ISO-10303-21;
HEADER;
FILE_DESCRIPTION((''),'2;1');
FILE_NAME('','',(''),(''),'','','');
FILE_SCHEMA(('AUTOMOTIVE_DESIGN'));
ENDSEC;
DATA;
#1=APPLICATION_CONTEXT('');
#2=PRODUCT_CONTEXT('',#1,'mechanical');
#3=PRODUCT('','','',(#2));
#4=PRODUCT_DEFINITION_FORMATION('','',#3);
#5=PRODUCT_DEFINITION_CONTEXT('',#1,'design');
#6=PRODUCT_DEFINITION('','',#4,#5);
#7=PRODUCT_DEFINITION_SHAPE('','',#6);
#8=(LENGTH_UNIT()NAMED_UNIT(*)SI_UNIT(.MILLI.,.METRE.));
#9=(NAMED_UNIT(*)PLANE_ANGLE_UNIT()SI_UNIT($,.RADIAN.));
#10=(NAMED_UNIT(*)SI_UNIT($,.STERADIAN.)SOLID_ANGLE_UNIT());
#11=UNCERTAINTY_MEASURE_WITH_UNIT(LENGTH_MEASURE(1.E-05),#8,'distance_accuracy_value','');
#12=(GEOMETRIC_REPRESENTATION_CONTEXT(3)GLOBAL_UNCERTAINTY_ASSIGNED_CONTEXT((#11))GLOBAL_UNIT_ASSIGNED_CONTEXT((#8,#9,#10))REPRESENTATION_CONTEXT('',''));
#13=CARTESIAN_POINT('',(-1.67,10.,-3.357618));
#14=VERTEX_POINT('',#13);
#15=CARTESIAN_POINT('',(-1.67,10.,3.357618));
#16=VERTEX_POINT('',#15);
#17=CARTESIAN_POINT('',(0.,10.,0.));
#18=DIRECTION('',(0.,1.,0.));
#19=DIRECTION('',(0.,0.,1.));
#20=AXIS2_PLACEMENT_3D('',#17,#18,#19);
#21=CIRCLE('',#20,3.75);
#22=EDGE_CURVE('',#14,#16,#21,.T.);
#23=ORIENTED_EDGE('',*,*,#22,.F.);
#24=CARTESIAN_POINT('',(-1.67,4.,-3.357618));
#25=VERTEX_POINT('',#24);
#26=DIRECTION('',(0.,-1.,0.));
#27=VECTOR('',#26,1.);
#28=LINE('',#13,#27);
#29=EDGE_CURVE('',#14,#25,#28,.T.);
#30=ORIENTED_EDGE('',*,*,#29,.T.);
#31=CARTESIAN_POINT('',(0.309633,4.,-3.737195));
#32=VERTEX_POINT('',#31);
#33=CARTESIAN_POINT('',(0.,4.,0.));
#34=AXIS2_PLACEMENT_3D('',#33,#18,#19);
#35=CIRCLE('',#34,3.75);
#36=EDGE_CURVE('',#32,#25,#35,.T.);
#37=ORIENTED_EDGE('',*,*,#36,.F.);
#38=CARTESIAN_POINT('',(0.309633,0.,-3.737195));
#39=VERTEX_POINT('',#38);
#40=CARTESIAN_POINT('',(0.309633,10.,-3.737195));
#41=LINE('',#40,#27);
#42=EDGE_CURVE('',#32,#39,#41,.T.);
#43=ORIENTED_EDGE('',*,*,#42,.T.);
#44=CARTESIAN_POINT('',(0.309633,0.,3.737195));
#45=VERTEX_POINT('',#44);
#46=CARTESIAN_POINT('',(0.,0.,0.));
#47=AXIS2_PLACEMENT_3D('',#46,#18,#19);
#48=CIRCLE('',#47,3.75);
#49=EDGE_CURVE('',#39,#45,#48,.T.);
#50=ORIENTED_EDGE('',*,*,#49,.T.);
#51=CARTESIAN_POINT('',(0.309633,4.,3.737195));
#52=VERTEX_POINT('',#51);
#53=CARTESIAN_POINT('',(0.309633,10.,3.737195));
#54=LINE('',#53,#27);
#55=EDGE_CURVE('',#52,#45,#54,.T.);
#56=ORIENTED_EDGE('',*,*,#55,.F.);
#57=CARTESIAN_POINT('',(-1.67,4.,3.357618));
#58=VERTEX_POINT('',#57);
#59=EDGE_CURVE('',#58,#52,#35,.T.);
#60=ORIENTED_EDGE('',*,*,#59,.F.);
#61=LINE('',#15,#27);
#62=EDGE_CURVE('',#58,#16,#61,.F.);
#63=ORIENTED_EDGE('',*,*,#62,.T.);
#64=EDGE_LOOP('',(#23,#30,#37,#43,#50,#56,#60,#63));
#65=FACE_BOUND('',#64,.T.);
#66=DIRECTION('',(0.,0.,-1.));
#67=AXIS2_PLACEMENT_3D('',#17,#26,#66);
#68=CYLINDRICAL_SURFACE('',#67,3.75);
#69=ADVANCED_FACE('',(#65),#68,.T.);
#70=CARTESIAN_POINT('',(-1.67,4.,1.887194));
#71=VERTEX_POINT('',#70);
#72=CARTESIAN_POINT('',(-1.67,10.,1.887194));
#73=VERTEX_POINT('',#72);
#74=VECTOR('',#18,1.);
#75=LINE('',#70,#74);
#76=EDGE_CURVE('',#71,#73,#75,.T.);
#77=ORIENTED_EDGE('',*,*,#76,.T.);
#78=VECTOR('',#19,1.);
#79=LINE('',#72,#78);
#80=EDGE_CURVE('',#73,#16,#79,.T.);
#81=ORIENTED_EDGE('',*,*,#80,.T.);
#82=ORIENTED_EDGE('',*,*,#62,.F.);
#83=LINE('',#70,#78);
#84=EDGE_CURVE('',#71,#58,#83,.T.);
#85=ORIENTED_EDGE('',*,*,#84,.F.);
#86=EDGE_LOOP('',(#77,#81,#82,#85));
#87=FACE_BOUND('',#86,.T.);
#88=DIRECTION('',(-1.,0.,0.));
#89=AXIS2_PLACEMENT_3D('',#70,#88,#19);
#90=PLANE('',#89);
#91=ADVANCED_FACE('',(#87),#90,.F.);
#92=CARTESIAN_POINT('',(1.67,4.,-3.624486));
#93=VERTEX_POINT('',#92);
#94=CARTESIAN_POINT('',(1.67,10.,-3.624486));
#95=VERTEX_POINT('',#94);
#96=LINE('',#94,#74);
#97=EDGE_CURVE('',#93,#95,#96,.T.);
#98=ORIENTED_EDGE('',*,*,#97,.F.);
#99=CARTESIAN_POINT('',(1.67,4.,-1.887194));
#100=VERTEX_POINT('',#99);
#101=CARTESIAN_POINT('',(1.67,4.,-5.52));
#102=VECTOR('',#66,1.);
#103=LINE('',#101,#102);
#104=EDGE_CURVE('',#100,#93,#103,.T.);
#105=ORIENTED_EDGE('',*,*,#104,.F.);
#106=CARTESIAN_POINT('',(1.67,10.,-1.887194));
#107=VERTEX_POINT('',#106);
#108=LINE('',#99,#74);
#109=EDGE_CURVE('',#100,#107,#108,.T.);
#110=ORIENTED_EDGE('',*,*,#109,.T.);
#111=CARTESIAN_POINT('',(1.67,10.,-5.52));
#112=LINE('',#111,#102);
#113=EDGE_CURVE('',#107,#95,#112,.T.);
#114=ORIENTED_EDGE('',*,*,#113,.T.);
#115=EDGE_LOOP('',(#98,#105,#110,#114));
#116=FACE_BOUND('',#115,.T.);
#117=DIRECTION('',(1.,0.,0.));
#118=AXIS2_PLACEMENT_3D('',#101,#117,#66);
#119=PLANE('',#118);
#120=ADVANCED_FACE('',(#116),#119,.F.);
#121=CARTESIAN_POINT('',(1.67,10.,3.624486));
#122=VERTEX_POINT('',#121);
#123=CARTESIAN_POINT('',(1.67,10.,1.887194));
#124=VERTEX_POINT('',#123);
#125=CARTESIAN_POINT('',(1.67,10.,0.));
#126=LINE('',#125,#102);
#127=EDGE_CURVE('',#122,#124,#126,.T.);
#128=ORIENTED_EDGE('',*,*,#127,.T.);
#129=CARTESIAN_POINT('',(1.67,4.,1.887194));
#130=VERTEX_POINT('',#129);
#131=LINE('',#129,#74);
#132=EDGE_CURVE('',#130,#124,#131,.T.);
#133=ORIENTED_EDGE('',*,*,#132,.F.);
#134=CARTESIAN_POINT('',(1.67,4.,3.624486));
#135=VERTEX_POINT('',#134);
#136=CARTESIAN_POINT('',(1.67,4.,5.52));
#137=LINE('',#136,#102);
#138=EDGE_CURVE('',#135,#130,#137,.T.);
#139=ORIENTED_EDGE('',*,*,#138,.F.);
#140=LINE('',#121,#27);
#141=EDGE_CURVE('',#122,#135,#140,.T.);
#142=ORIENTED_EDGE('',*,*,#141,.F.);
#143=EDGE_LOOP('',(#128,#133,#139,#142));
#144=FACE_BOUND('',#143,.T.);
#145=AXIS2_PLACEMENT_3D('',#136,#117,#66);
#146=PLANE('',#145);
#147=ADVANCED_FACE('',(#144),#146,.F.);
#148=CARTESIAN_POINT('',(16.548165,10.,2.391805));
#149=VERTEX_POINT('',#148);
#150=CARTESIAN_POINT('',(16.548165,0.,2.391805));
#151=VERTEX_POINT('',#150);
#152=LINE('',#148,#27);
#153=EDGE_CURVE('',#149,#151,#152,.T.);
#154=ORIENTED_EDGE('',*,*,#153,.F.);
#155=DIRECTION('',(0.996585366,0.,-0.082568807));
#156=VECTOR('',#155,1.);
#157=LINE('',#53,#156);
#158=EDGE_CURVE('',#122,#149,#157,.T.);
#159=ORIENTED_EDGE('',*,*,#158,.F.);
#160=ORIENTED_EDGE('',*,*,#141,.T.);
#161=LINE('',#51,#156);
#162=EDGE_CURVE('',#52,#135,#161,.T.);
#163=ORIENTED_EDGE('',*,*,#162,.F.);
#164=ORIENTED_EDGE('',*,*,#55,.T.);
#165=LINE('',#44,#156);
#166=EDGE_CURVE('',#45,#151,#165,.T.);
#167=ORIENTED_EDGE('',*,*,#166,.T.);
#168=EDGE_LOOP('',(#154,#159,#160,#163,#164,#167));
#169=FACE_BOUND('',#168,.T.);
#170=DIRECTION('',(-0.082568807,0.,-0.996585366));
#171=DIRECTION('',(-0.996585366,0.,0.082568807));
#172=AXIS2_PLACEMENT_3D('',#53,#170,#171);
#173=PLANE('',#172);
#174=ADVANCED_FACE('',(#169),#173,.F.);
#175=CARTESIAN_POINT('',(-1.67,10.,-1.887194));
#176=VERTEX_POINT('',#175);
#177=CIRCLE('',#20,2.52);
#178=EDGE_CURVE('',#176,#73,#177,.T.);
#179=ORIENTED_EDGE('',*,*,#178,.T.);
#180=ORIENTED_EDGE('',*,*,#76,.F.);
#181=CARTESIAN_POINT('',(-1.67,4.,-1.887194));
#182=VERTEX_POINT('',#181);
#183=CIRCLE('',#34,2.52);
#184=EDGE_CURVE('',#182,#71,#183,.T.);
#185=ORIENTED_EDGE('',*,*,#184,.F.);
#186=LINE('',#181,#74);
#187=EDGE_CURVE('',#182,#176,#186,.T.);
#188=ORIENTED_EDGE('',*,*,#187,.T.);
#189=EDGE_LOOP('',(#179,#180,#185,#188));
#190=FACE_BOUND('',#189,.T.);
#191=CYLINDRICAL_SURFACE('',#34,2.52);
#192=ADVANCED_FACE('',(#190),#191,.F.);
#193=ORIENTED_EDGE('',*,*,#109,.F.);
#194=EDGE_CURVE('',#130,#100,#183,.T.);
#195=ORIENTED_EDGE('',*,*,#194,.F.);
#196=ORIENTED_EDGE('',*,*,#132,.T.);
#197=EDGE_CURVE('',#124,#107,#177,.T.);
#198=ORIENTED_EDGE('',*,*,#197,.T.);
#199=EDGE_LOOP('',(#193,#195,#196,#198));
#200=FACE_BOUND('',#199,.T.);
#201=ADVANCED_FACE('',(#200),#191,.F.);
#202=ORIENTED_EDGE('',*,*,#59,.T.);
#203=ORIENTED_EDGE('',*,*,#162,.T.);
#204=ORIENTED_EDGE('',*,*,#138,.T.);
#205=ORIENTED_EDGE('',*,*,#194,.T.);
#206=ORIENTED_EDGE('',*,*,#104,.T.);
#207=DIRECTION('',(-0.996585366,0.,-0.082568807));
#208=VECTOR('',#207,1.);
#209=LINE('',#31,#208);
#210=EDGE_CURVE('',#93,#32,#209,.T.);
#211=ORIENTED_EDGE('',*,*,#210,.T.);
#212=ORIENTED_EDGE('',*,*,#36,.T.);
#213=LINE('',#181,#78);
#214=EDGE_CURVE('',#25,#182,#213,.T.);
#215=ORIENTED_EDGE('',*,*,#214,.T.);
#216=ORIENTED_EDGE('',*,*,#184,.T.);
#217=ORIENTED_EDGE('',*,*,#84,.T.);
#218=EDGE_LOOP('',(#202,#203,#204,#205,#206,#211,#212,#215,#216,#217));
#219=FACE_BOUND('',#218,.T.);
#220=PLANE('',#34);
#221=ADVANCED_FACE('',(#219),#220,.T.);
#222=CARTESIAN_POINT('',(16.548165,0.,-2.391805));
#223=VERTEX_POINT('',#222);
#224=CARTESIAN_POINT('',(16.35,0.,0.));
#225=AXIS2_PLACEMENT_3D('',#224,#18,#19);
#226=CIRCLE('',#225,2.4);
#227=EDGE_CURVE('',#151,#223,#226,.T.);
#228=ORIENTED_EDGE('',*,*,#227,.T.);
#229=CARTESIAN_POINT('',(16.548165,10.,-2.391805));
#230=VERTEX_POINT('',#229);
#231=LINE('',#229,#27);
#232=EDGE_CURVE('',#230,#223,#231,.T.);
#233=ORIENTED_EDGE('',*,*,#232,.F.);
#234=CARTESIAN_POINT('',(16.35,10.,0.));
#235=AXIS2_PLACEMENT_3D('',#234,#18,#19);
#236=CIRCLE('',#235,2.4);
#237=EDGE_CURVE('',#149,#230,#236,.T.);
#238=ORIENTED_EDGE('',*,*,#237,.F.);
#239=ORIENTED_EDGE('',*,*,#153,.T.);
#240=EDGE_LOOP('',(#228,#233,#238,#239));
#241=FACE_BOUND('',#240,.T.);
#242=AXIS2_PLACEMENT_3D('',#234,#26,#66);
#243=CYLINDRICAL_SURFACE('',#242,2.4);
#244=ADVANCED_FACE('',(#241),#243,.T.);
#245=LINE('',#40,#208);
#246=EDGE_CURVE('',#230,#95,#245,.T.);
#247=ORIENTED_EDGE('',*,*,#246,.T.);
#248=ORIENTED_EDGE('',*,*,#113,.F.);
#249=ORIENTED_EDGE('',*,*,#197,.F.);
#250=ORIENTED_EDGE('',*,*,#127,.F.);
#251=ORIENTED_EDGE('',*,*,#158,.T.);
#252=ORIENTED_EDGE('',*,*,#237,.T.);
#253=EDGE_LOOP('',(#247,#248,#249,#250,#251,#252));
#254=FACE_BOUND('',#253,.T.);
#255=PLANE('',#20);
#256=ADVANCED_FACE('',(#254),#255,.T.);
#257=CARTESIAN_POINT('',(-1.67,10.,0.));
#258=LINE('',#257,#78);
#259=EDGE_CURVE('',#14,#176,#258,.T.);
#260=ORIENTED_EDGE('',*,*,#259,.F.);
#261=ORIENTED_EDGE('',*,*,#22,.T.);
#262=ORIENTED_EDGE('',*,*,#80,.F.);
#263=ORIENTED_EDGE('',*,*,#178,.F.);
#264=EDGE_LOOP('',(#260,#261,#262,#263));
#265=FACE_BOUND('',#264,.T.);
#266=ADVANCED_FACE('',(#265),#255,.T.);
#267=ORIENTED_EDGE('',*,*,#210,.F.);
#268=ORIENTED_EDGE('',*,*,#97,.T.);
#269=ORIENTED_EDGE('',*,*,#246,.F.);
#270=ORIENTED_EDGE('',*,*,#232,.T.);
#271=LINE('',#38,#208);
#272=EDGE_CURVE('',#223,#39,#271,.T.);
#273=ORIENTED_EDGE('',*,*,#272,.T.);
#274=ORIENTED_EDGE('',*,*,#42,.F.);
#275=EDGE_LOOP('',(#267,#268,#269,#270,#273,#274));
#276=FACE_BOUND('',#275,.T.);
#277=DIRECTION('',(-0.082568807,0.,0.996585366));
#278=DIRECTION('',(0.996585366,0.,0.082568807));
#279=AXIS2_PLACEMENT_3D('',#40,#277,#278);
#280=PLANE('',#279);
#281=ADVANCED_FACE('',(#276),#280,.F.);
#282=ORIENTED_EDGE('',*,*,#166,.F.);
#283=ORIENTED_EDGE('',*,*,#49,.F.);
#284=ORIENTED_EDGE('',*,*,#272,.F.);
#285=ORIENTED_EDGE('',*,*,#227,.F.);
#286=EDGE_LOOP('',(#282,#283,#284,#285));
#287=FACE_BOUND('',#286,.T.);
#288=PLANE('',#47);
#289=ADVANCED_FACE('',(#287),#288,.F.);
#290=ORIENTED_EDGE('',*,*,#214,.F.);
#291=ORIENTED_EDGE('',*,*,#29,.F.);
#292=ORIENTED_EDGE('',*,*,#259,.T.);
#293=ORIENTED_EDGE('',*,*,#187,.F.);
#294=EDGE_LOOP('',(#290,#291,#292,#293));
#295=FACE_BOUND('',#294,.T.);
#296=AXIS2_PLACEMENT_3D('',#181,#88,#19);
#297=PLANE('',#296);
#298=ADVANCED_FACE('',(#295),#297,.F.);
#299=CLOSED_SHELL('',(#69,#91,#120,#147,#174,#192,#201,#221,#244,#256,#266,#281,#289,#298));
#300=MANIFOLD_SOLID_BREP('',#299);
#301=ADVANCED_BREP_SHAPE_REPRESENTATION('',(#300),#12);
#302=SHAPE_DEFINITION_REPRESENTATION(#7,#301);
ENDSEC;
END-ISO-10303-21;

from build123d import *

# Parameters (mm, degrees)
BOSS_EXTRUDE1_DEPTH = 10
CUT_EXTRUDE1_DEPTH  = 6


with BuildPart() as part:
    # Sketch1 → Boss-Extrude1 (new body)
    with BuildSketch(Plane(origin=(0, 0, 0), x_dir=(1, 0, 0), z_dir=(0, 1, 0))):
        with BuildLine():
            Line((0.309633028, -3.737195123), (16.548165138, -2.391804879))
            ThreePointArc((16.548165138, -2.391804879), (18.75, 0), (16.548165138, 2.391804879))
            Line((16.548165138, 2.391804879), (0.309633028, 3.737195123))
            ThreePointArc((0.309633028, 3.737195123), (-3.75, 0), (0.309633028, -3.737195123))
        make_face()
    extrude(amount=BOSS_EXTRUDE1_DEPTH)

    # Sketch2 → Cut-Extrude1 (cut)
    with BuildSketch(Plane(origin=(0, 10, 0), x_dir=(1, 0, 0), z_dir=(0, 1, 0))):
        with BuildLine():
            Line((-1.67, -1.887193684), (-1.67, -5.52))
            Line((-1.67, -5.52), (1.67, -5.52))
            Line((1.67, -5.52), (1.67, -1.887193684))
            ThreePointArc((1.67, -1.887193684), (2.52, 0), (1.67, 1.887193684))
            Line((1.67, 1.887193684), (1.67, 5.52))
            Line((1.67, 5.52), (-1.67, 5.52))
            Line((-1.67, 5.52), (-1.67, 1.887193684))
            ThreePointArc((-1.67, 1.887193684), (-2.52, 0), (-1.67, -1.887193684))
        make_face()
    extrude(amount=-CUT_EXTRUDE1_DEPTH, mode=Mode.SUBTRACT)


solid = part.part
